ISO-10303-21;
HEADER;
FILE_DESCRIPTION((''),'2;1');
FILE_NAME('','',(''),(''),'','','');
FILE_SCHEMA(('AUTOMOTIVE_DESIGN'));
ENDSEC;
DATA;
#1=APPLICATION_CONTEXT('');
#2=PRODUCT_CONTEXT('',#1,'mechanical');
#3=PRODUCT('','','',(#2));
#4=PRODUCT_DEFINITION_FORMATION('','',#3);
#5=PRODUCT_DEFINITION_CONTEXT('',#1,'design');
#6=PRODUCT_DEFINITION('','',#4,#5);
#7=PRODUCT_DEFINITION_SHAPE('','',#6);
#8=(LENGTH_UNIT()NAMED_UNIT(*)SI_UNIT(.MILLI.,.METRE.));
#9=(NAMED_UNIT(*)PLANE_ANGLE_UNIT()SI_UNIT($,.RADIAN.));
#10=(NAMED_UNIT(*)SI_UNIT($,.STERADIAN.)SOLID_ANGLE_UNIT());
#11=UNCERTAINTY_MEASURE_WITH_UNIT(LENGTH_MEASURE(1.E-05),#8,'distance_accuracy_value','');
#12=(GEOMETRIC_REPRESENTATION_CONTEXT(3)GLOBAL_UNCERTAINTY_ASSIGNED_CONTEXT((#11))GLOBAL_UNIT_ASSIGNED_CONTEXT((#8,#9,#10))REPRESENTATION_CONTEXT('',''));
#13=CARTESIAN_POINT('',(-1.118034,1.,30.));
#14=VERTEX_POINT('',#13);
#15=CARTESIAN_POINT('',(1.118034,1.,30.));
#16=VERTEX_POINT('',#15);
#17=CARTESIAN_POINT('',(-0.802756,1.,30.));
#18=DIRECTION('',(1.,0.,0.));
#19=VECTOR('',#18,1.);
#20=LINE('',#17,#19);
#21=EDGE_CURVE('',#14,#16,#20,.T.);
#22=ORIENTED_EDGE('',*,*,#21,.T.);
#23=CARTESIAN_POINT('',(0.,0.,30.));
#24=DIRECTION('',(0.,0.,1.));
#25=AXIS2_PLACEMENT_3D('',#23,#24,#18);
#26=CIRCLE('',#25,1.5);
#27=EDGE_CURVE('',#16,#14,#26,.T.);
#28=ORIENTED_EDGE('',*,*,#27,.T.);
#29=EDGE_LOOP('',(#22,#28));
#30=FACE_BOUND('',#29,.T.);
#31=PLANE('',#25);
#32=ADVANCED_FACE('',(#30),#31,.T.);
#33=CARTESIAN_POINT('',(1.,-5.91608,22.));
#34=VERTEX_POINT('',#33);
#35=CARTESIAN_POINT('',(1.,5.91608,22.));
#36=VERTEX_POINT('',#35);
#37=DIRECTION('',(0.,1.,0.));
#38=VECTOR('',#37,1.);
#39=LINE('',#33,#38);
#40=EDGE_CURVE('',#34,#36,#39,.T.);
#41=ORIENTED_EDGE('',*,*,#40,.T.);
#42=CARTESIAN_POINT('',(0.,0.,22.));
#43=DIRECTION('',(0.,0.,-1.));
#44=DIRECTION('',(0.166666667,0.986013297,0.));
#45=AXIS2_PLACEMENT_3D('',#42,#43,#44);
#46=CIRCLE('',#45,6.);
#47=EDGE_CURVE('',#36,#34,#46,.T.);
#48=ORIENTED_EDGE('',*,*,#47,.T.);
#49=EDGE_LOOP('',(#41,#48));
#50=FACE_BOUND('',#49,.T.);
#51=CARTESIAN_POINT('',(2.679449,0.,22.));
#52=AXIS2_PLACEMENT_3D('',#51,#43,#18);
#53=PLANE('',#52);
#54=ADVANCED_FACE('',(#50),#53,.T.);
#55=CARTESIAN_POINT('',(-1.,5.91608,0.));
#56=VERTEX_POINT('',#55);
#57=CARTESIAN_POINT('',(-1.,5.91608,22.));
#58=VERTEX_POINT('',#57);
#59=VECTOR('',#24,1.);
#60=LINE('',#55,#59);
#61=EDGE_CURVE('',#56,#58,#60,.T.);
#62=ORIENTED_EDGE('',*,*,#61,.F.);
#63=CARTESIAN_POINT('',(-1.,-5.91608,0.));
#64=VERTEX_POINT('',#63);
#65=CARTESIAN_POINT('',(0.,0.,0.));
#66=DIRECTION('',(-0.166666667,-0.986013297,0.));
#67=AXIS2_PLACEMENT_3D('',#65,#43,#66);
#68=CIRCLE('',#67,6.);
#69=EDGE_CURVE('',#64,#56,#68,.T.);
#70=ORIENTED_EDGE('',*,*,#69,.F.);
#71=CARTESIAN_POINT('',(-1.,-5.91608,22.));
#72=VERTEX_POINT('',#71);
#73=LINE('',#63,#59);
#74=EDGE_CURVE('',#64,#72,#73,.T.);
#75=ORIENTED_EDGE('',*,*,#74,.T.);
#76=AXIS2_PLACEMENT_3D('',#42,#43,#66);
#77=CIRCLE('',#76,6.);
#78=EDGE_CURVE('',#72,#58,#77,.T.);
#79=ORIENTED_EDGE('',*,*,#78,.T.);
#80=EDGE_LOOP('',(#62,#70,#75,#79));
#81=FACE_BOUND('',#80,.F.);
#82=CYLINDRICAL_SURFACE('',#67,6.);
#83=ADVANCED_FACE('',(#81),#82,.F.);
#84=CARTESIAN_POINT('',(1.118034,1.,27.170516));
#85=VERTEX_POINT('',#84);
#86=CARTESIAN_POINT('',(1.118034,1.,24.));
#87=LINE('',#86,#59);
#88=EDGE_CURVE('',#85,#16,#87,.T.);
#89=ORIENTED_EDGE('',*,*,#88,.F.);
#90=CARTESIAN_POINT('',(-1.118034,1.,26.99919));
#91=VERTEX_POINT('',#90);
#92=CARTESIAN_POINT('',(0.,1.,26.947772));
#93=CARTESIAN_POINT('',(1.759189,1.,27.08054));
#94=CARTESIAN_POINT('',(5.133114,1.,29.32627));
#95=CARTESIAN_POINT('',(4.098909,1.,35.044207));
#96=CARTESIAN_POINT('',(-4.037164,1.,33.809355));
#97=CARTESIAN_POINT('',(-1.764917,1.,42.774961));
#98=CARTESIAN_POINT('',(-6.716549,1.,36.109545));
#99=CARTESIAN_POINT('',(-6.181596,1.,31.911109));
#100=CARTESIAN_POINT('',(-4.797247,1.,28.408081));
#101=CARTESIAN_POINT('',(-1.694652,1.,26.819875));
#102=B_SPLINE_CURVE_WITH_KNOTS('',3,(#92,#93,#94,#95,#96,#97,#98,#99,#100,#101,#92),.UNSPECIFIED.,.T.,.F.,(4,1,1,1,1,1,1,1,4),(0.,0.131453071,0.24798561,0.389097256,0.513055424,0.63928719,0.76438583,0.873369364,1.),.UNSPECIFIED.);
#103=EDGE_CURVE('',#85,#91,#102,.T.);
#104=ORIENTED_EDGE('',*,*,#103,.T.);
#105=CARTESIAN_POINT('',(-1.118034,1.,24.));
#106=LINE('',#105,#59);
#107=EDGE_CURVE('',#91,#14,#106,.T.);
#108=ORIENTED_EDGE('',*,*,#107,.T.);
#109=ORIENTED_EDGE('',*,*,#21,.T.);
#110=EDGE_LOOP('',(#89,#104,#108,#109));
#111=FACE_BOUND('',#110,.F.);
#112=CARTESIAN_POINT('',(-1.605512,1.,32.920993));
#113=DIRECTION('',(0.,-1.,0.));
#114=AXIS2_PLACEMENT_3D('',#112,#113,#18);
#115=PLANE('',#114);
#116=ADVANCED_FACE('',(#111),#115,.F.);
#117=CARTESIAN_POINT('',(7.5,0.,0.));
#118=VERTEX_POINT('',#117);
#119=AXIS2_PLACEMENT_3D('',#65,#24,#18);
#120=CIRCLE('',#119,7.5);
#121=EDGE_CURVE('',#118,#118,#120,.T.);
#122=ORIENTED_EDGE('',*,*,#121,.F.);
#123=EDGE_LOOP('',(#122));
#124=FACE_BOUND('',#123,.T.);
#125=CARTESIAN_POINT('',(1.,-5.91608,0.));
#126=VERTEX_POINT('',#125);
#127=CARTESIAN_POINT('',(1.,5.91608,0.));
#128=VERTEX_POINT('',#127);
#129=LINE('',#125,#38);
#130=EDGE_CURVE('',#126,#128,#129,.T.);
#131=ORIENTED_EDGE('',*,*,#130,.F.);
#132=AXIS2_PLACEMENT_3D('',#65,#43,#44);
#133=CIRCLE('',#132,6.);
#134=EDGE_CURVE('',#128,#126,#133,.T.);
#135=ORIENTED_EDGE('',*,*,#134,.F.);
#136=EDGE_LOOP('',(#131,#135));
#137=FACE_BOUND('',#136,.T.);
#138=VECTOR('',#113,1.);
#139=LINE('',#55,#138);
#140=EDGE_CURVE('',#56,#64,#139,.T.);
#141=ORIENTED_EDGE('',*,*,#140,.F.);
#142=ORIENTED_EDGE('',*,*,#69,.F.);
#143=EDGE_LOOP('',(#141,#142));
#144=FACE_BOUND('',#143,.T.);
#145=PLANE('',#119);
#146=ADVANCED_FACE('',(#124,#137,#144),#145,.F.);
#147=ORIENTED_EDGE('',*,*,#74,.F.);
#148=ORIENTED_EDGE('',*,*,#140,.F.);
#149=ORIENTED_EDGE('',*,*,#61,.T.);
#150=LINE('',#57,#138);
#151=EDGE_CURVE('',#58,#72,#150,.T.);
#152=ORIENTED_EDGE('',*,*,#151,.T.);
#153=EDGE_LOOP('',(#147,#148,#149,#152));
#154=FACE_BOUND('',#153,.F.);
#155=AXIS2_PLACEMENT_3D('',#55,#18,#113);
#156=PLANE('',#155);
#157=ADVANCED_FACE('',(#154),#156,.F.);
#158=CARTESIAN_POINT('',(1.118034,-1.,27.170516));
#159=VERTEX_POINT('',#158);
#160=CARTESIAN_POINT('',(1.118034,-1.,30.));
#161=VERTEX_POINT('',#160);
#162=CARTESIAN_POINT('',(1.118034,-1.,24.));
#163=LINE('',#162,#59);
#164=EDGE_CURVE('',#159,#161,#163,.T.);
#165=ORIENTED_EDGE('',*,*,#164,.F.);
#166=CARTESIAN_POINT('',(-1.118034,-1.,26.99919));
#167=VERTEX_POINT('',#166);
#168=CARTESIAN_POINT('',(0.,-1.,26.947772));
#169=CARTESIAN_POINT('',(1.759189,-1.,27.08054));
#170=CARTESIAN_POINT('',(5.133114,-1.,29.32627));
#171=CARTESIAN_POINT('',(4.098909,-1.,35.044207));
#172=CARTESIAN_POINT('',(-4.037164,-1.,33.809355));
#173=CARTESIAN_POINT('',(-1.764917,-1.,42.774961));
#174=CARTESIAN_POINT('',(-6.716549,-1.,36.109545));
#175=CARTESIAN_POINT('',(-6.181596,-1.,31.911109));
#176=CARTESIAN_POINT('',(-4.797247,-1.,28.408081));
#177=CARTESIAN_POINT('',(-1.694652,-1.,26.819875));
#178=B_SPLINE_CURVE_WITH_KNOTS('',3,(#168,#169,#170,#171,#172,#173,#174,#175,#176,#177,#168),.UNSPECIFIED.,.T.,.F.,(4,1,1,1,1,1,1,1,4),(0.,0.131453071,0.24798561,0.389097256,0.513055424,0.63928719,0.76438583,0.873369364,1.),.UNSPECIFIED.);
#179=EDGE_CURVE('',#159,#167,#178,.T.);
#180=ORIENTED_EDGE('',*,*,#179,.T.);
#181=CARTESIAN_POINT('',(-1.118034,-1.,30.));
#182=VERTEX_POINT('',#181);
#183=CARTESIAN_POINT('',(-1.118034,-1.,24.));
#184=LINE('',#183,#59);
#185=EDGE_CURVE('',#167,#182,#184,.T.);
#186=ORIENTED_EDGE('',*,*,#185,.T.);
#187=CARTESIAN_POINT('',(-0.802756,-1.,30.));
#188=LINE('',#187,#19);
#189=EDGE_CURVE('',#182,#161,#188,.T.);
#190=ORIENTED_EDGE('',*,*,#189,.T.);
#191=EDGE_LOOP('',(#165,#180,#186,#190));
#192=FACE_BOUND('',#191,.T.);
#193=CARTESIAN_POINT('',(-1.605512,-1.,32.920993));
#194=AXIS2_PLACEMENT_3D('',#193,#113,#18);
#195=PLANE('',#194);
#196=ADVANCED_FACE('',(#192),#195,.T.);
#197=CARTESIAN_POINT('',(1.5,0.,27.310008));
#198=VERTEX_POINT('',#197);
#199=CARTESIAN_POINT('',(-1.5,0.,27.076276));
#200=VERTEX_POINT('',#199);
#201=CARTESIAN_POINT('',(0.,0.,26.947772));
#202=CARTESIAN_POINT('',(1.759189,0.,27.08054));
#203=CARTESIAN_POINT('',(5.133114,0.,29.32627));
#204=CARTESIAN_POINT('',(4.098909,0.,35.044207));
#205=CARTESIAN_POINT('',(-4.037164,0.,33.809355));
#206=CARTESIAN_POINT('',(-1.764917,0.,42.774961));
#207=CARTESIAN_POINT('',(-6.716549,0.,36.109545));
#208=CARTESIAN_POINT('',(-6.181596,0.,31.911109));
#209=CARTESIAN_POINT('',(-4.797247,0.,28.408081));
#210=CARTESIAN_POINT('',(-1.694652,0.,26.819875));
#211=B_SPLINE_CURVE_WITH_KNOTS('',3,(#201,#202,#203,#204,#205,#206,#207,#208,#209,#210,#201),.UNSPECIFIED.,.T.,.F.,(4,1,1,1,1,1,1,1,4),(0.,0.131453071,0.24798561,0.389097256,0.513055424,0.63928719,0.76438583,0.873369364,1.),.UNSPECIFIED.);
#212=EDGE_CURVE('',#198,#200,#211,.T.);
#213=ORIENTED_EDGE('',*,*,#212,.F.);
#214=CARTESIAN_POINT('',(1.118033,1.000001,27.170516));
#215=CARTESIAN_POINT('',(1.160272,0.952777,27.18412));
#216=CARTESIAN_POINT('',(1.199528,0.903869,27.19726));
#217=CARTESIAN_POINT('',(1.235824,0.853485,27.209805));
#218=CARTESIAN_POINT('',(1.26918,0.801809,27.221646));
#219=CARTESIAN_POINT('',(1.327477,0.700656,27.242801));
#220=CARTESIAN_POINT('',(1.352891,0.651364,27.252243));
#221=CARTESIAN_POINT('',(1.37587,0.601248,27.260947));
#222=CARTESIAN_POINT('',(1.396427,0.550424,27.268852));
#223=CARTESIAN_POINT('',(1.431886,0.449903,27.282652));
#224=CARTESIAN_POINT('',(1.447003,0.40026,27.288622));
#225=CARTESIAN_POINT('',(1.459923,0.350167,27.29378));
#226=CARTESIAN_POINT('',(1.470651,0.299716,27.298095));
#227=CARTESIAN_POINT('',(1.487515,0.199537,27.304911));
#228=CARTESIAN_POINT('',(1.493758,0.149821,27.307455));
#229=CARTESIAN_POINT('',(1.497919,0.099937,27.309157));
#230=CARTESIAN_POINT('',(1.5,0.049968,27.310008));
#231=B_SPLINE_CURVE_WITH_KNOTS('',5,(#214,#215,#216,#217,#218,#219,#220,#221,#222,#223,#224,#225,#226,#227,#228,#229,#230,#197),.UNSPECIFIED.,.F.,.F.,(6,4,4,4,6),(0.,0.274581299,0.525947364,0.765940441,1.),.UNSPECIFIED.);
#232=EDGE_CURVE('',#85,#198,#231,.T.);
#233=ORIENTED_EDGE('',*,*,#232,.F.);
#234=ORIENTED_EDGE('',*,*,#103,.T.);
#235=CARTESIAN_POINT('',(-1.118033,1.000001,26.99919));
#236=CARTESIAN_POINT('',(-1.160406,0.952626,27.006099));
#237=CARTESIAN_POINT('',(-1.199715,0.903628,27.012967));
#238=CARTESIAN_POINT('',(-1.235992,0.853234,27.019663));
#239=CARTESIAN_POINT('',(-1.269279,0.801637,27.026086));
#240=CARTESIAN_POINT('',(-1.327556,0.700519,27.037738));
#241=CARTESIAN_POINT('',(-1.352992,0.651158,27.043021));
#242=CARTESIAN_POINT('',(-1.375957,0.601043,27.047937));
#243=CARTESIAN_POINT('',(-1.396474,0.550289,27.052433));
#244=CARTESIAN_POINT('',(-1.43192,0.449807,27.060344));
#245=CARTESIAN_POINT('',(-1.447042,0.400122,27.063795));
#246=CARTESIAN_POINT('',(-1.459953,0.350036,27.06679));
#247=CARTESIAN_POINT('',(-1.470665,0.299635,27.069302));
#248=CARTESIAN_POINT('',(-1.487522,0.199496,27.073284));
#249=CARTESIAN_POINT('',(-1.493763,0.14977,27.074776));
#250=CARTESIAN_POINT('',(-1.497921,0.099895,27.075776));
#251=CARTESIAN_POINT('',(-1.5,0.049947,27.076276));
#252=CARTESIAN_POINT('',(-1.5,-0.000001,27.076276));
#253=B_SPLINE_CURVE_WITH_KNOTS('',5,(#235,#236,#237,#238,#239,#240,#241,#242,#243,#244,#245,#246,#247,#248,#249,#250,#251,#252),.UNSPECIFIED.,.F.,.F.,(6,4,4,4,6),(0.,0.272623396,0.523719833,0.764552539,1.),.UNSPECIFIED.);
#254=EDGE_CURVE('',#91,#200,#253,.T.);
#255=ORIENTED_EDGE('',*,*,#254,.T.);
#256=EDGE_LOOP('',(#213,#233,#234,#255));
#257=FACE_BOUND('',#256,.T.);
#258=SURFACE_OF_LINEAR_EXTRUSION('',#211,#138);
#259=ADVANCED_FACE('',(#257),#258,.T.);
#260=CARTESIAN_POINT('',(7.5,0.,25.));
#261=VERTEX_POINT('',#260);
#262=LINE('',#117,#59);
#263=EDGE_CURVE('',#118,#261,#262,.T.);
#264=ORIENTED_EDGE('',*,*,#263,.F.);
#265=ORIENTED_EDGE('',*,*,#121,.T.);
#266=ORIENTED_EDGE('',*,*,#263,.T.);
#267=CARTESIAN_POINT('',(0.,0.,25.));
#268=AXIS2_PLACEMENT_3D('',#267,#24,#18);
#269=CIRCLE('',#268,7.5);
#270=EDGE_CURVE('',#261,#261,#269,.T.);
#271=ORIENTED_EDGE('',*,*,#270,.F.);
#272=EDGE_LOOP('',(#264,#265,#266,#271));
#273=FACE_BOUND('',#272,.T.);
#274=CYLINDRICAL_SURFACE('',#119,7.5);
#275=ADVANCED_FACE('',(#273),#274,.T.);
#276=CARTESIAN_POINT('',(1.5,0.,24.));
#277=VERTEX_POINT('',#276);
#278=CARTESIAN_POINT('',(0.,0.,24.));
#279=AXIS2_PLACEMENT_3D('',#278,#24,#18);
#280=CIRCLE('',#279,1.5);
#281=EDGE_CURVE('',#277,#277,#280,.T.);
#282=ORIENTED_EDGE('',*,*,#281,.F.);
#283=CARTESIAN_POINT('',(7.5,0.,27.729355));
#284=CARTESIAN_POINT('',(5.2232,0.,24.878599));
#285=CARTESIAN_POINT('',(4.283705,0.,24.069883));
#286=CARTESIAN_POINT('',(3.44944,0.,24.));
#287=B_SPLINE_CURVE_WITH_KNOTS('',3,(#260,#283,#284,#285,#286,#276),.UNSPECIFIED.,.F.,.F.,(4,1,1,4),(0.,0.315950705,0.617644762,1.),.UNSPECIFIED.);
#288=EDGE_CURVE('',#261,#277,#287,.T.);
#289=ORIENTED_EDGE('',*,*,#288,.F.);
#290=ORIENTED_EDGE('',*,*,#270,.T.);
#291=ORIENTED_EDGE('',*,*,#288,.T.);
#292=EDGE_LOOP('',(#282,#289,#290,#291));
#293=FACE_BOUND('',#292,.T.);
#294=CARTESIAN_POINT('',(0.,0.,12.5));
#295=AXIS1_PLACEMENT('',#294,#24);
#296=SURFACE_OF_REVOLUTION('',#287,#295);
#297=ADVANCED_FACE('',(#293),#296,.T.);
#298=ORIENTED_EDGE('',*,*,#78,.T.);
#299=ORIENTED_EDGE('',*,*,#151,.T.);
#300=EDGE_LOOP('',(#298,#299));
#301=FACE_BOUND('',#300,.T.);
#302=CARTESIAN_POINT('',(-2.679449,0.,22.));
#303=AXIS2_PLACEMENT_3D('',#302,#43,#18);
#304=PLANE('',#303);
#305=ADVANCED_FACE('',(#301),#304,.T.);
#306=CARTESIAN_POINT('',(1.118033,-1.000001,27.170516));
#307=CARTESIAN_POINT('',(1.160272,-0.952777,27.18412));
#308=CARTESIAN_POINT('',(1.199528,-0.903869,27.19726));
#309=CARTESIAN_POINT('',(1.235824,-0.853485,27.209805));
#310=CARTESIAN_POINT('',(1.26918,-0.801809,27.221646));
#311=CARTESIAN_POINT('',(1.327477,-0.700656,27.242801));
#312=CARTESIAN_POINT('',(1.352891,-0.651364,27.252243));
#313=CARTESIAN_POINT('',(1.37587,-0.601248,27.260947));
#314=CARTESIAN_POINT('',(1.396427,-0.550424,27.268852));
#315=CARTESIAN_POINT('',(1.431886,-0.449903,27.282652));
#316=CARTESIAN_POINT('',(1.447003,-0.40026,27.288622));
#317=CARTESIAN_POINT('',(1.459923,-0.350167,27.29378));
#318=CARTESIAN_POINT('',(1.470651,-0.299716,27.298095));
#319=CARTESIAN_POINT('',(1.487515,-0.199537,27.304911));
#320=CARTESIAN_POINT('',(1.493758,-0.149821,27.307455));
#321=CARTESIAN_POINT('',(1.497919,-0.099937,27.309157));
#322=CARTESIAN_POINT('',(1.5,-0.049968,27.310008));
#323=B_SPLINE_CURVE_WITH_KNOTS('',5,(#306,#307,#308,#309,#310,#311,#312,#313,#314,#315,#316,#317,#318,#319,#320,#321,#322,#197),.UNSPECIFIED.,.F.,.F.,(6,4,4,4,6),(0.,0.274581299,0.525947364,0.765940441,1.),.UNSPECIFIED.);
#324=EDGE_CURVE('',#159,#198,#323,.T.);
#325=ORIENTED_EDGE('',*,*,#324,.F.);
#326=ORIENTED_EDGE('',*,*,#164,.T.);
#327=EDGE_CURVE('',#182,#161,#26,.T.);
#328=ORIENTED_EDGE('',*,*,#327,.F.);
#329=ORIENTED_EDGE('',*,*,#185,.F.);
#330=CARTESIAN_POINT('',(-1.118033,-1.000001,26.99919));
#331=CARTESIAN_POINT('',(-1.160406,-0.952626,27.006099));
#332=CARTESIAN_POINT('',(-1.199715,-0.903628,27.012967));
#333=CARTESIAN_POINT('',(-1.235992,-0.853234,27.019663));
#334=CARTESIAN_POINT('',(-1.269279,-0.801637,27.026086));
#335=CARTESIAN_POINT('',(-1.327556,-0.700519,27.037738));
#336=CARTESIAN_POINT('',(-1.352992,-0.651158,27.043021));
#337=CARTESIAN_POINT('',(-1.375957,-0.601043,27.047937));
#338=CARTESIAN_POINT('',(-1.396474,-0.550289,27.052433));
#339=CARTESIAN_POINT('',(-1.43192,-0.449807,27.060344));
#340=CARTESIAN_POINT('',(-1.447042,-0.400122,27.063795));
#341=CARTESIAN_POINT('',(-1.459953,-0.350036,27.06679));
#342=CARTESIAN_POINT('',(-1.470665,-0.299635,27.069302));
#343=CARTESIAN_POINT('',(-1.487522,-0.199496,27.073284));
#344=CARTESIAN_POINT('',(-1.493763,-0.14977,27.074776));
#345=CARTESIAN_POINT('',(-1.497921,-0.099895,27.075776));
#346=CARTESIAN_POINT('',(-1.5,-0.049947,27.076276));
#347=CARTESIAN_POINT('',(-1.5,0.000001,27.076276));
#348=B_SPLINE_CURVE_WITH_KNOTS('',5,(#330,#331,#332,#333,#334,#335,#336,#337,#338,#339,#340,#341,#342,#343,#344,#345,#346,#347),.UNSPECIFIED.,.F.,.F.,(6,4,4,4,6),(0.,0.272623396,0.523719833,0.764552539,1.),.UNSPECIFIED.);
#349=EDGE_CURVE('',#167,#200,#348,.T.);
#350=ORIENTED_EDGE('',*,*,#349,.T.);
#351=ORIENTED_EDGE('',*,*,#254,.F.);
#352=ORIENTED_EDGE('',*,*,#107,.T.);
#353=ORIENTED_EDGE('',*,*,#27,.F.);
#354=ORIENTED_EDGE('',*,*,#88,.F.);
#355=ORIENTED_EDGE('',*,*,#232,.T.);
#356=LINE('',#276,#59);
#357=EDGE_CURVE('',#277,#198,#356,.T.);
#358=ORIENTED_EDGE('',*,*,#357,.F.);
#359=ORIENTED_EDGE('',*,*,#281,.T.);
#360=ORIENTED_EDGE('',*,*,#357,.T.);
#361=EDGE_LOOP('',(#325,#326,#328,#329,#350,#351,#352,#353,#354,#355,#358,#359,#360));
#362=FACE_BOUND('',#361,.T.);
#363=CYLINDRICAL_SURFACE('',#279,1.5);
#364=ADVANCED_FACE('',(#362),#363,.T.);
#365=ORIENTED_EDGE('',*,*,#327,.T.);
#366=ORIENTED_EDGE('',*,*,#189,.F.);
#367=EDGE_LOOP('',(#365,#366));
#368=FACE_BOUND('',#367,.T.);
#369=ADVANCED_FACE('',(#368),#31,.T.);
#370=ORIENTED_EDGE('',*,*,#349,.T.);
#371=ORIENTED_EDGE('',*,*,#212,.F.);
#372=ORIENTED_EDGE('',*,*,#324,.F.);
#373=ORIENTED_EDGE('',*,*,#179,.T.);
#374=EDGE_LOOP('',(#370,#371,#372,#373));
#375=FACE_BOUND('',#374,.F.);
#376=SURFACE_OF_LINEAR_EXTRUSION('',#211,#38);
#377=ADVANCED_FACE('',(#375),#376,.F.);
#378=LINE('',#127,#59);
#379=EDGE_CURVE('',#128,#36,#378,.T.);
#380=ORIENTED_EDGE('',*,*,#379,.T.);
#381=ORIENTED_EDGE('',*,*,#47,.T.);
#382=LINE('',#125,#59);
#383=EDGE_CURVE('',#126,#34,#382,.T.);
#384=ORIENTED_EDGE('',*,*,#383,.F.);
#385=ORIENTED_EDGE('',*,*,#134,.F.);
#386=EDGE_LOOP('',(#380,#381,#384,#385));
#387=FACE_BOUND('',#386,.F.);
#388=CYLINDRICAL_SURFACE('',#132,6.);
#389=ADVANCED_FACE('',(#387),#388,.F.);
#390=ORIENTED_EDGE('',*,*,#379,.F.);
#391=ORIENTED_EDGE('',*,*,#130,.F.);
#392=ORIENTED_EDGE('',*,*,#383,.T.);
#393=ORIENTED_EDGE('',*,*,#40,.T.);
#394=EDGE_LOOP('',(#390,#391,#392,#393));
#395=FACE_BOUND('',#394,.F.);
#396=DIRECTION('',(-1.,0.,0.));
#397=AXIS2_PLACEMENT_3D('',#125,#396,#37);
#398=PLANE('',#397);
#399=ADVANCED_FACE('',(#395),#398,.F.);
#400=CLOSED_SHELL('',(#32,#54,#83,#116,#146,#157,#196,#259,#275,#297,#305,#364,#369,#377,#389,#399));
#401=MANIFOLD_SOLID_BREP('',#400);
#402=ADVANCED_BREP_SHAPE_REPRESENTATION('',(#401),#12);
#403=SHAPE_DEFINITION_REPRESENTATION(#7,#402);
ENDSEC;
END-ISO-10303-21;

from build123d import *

# Parameters (mm, degrees)
F3_DEPTH = 1
F5_DEPTH = 22


with BuildPart() as f1:
    # F0 (on Front) → F1 (revolve)
    with BuildSketch(Plane.XZ):
        with BuildLine():
            Line((0, 25), (0, 0))
            Line((0, 0), (7.5, 0))
            Line((7.5, 0), (7.5, 25))
            add(Edge.make_bspline(
                [(7.5, 25), (7.5, 27.7293550812), (5.2232004254, 24.8785987129), (4.2837052935, 24.0698828283), (3.4494399973, 24), (1.5, 24)],
                knots=[0, 0, 0, 0, 0.3159507046, 0.6176447617, 1, 1, 1, 1], degree=3))
            Line((1.5, 24), (1.5, 30))
            Line((1.5, 30), (0, 30))
            Line((0, 30), (0, 25))
        make_face()
    revolve(axis=Axis((0, 0, 12.5), (0, 0, 1)))

    # F2 (on Front) → F3 (join, symmetric)
    with BuildSketch(Plane.XZ):
        with BuildLine():
            add(Edge.make_bspline(
                [(0, 26.9477721304), (1.7591886985, 27.0805402808), (5.133113675, 29.3262695999), (4.0989089424, 35.0442071493), (-4.0371644112, 33.8093548315), (-1.7649166522, 42.7749614003), (-6.7165487463, 36.1095453311), (-6.1815955095, 31.9111091088), (-4.7972468562, 28.408081284), (-1.6946518044, 26.8198746593), (0, 26.9477721304)],
                knots=[0, 0, 0, 0, 0.1314530707, 0.2479856097, 0.3890972564, 0.5130554239, 0.63928719, 0.7643858297, 0.8733693642, 1, 1, 1, 1], degree=3))
        make_face()
    extrude(amount=F3_DEPTH, both=True)

    # F4 (on face) → F5 (cut)
    with BuildSketch(Plane(origin=(0, 0, 0), x_dir=(1, 0, 0), z_dir=(0, 0, -1))):
        with BuildLine():
            Line((-1, -5.9160797831), (-1, 5.9160797831))
            ThreePointArc((-1, 5.9160797831), (-6, 0), (-1, -5.9160797831))
        make_face()
        with BuildLine():
            ThreePointArc((1, -5.9160797831), (6, 0), (1, 5.9160797831))
            Line((1, 5.9160797831), (1, -5.9160797831))
        make_face()
    extrude(amount=-F5_DEPTH, mode=Mode.SUBTRACT)


solid = f1.part
